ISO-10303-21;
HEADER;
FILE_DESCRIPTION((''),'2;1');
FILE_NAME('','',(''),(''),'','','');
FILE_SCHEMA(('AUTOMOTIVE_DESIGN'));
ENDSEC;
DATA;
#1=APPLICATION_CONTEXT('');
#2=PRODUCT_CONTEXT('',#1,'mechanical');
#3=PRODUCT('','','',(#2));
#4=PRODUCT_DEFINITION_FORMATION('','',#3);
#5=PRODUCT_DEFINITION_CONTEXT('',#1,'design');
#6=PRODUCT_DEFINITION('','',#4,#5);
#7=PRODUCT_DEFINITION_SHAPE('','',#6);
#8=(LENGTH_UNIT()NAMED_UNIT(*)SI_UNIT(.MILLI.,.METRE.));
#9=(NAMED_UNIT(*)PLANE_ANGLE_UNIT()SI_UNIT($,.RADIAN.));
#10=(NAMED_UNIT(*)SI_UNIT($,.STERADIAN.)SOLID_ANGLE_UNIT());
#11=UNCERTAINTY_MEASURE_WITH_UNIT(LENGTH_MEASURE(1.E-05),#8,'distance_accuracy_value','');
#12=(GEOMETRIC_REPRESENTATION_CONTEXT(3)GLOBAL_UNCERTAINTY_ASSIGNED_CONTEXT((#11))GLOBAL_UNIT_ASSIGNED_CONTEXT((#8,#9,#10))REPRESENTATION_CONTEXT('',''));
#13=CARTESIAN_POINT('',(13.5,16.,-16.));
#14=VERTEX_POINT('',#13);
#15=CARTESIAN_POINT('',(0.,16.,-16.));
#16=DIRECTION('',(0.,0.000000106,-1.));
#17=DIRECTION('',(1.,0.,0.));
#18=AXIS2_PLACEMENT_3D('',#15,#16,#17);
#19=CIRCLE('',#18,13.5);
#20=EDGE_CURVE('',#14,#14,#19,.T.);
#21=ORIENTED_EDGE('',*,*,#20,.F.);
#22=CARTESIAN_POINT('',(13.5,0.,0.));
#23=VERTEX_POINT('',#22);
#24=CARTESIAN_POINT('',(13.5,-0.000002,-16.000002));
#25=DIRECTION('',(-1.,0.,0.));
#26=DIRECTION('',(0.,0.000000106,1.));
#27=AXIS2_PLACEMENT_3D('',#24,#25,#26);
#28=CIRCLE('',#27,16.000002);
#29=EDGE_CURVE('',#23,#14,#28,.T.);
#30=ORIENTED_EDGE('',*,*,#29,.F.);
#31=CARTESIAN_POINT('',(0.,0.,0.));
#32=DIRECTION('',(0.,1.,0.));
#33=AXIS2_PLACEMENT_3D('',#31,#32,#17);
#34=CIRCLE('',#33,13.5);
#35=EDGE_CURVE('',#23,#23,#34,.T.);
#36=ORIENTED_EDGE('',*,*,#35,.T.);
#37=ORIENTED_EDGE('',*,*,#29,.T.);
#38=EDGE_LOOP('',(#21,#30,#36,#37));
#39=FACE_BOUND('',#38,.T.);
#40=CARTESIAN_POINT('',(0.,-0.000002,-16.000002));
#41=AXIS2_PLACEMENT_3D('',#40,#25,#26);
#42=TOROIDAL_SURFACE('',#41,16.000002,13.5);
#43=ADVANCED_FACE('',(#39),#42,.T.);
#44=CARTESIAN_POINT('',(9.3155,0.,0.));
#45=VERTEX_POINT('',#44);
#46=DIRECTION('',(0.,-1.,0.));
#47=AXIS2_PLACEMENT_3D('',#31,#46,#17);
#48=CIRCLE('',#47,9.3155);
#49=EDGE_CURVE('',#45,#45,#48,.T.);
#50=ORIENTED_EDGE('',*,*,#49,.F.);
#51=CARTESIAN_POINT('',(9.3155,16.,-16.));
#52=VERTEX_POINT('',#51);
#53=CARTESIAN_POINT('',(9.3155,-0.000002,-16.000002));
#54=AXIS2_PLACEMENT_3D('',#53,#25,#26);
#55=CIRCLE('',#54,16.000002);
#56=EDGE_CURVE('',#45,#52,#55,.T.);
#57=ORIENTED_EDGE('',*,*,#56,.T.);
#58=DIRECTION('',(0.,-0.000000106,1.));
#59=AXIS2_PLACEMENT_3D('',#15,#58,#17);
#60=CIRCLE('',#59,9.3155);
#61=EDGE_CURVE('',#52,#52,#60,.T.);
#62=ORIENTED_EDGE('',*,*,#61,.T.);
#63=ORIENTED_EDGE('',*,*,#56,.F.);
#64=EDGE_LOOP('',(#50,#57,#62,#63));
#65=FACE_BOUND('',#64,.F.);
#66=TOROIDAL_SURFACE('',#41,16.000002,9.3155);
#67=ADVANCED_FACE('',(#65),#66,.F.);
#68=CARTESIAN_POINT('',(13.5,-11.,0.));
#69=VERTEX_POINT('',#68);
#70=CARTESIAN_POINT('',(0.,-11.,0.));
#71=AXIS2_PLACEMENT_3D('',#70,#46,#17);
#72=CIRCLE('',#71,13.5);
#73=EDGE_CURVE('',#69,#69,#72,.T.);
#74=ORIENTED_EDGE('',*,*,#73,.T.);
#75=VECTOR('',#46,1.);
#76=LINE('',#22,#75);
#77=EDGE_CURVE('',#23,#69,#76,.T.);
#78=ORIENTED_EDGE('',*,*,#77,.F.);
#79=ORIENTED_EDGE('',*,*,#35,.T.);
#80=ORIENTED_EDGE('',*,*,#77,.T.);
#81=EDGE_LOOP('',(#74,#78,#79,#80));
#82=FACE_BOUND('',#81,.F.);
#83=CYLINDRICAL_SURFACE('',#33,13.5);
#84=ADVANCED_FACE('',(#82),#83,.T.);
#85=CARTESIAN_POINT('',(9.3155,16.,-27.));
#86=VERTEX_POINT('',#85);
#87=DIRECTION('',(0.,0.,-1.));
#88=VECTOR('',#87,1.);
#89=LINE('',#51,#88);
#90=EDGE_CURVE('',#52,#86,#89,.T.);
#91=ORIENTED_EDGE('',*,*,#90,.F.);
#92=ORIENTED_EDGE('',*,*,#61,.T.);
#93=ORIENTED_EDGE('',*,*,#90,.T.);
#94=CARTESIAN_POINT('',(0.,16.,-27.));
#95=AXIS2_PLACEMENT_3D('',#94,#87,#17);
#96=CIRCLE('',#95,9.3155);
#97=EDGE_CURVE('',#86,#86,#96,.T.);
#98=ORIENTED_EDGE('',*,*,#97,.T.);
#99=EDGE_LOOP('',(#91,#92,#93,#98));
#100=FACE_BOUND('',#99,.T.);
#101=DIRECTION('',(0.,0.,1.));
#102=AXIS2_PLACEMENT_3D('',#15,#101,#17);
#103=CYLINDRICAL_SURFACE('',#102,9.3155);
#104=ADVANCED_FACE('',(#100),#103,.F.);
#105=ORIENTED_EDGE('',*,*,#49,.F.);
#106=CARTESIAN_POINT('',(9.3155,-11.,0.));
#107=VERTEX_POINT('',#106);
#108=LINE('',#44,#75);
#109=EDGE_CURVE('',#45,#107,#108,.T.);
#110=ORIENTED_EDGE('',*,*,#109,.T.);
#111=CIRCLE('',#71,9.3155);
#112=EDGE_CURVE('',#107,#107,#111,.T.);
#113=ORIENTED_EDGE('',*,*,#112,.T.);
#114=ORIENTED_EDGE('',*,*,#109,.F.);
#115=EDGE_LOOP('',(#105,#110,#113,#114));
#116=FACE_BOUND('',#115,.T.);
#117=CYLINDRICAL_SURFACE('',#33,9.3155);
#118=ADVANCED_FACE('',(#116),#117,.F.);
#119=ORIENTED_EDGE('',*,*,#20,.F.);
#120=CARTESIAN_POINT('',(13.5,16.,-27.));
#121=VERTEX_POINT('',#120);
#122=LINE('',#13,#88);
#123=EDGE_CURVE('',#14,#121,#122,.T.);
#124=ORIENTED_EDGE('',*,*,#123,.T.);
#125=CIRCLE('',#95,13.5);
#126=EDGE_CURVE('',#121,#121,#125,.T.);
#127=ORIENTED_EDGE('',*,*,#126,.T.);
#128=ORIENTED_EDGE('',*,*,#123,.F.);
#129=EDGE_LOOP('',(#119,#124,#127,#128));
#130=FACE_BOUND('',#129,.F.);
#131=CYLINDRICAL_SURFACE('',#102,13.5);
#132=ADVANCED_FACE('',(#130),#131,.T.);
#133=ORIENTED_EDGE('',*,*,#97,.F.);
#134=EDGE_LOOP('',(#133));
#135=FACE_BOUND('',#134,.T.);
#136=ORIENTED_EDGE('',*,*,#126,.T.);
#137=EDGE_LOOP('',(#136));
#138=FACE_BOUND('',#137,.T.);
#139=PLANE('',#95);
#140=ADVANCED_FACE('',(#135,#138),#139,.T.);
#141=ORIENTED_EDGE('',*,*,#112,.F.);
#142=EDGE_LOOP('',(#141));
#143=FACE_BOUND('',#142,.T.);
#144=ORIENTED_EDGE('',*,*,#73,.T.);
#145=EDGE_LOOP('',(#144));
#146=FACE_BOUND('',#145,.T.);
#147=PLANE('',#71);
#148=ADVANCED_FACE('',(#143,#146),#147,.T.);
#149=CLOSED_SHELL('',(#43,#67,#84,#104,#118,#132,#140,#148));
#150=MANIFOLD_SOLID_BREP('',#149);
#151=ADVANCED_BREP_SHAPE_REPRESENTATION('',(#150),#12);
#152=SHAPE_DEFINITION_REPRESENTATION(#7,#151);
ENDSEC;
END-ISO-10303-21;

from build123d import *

# Parameters (mm, degrees)
F0_R        = 13.5
F0_R_2      = 9.3155
F1_DEPTH    = 11
F1_FACE_R   = 13.5
F1_FACE_R_2 = 9.3155
F4_R        = 13.5
F4_R_2      = 9.3155
F5_DEPTH    = 11


with BuildPart() as f1:
    # F0 (on Front) → F1 (new body)
    with BuildSketch(Plane.XZ):
        Circle(F0_R)
        Circle(F0_R_2, mode=Mode.SUBTRACT)
    extrude(amount=F1_DEPTH)

    # F3: sweep along a path in F2
    with BuildLine(Plane.YZ) as f3_path:
        ThreePointArc((0, 0), (11.313708, -4.686292), (16, -16))
    # F1_face (on face) → F3 (sweep)
    with BuildSketch(Plane(origin=(0, 0, 0), x_dir=(1, 0, 0), z_dir=(0, 1, 0))):
        Circle(F1_FACE_R)
        Circle(F1_FACE_R_2, mode=Mode.SUBTRACT)
    sweep(path=f3_path.line)

    # F4 (on face) → F5 (join)
    with BuildSketch(Plane(origin=(0, 0, -16), x_dir=(1, 0, 0), z_dir=(0, 0, -1))):
        with Locations((0, -16)):
            Circle(F4_R)
        with Locations((0, -16)):
            Circle(F4_R_2, mode=Mode.SUBTRACT)
    extrude(amount=F5_DEPTH)


solid = f1.part
